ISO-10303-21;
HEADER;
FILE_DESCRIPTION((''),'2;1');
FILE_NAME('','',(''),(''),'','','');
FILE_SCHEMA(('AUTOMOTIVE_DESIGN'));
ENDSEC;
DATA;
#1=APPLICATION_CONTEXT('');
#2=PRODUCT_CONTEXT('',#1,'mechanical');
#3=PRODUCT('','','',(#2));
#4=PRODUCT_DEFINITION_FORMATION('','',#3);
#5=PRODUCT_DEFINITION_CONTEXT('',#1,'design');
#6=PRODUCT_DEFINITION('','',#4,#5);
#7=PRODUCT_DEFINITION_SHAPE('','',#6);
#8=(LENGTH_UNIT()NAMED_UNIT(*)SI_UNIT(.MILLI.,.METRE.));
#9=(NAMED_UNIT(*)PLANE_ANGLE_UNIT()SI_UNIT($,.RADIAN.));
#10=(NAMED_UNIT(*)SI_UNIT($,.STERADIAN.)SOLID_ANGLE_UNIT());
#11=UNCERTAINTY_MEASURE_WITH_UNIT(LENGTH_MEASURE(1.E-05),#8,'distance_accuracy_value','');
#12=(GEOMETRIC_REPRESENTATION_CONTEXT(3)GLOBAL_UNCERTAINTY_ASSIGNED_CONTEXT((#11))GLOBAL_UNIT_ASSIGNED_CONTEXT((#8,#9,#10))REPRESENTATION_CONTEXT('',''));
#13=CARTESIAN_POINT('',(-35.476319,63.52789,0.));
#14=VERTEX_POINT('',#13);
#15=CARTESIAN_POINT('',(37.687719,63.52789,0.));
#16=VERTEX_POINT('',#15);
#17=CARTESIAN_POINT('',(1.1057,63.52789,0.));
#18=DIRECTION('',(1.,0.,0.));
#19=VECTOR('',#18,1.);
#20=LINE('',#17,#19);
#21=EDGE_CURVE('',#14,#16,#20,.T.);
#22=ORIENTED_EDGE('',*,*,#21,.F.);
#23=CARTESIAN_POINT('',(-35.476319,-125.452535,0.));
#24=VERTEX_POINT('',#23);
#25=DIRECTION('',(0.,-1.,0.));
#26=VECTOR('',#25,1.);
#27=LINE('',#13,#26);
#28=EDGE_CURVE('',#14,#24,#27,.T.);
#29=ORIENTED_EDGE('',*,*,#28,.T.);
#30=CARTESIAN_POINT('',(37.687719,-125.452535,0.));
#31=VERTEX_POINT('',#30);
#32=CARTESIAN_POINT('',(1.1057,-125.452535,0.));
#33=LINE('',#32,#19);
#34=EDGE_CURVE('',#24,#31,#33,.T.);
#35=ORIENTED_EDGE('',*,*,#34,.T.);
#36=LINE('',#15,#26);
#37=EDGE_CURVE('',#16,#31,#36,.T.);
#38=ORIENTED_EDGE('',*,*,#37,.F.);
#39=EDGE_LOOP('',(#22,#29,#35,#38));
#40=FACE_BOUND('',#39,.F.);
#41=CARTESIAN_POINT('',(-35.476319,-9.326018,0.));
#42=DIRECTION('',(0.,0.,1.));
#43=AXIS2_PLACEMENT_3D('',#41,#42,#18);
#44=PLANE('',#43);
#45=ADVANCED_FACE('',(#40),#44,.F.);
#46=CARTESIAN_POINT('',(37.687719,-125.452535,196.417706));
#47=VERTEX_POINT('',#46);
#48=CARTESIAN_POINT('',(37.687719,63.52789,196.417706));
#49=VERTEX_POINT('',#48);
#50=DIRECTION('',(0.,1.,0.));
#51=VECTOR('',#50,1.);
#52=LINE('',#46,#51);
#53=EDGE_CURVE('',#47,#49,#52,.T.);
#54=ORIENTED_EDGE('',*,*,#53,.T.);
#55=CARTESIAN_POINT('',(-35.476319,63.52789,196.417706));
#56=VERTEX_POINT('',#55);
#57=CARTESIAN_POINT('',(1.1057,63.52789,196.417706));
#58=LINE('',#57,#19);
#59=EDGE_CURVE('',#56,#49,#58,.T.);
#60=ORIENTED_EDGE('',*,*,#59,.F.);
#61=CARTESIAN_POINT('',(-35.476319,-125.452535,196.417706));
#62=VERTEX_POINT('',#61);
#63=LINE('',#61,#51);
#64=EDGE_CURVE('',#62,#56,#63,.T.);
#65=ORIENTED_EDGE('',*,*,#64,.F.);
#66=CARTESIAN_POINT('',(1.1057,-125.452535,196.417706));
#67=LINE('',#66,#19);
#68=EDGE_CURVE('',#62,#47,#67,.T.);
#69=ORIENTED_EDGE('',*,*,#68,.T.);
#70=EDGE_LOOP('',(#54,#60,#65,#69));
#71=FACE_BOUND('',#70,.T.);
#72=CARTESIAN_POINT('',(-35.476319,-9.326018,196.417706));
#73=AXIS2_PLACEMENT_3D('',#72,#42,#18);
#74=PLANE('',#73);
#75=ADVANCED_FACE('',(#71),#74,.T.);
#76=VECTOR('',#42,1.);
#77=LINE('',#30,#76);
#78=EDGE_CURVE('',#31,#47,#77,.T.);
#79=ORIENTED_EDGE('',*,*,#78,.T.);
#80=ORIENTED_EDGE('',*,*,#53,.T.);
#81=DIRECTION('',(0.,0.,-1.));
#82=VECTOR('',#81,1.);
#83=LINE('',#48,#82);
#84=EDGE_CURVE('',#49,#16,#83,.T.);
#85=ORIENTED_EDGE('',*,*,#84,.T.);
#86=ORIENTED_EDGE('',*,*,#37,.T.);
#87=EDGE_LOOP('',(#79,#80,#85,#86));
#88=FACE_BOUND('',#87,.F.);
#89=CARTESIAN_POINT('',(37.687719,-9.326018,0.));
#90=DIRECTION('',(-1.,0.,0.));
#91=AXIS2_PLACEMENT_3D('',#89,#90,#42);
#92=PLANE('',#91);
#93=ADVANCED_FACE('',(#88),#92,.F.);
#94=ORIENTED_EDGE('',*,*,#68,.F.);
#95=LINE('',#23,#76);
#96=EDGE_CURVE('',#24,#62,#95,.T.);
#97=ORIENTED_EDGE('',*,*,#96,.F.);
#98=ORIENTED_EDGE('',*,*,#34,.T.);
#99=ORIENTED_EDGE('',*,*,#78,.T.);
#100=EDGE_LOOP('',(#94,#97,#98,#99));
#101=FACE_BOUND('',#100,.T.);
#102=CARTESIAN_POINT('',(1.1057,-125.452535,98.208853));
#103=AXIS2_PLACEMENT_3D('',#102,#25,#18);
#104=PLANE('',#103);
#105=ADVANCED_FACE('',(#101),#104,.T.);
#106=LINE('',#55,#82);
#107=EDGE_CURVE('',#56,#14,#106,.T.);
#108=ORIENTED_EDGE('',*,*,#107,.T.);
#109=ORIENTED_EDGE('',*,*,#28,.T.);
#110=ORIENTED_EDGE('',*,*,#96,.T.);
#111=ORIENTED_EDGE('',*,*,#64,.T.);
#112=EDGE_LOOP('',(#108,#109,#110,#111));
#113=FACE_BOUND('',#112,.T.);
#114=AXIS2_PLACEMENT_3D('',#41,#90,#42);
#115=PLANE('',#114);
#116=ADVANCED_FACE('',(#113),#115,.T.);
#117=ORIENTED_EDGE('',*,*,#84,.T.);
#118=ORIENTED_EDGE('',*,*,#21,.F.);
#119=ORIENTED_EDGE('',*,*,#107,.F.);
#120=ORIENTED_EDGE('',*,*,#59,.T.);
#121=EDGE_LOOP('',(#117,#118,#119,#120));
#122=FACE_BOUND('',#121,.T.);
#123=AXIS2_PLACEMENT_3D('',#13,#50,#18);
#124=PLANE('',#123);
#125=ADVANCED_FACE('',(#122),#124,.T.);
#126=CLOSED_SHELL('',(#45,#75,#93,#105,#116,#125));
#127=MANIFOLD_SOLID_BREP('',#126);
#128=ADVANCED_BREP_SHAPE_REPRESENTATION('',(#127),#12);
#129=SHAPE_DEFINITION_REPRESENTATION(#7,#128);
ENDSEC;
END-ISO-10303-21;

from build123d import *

# Parameters (mm, degrees)
F0_W      = 73.164038
F0_H      = 72.853908
F1_DEPTH  = 196.417706
F1_FACE_W = 73.164038
F1_FACE_H = 196.417706
F2_DEPTH  = 116.126517
F3_W      = 35.476319
F3_H      = 25.545895
F4_DEPTH  = 137.581224


with BuildPart() as f1:
    # F0 (on Top) → F1 (new body)
    with BuildSketch(Plane.XY):
        with Locations((1.1057, 27.100936)):
            Rectangle(F0_W, F0_H)
    extrude(amount=F1_DEPTH)

    # F1_face (on face) → F2 (join)
    with BuildSketch(Plane(origin=(1.1057, -9.326018, 98.208853), x_dir=(1, 0, 0), z_dir=(0, -1, 0))):
        Rectangle(F1_FACE_W, F1_FACE_H)
    extrude(amount=F2_DEPTH)

    # F3 (on face) → F4 (join)
    with BuildSketch(Plane.XY.offset(196.417706)):
        with Locations((-17.738159, 12.772947)):
            Rectangle(F3_W, F3_H)
        Polygon((0, 25.545895), (0, 0), (-35.476319, 0), (-35.476319, -125.452535), (37.687719, -125.452535), (37.687719, 63.52789), (-35.476319, 63.52789), (-35.476319, 25.545895), align=None)
    extrude(amount=-F4_DEPTH)


solid = f1.part
